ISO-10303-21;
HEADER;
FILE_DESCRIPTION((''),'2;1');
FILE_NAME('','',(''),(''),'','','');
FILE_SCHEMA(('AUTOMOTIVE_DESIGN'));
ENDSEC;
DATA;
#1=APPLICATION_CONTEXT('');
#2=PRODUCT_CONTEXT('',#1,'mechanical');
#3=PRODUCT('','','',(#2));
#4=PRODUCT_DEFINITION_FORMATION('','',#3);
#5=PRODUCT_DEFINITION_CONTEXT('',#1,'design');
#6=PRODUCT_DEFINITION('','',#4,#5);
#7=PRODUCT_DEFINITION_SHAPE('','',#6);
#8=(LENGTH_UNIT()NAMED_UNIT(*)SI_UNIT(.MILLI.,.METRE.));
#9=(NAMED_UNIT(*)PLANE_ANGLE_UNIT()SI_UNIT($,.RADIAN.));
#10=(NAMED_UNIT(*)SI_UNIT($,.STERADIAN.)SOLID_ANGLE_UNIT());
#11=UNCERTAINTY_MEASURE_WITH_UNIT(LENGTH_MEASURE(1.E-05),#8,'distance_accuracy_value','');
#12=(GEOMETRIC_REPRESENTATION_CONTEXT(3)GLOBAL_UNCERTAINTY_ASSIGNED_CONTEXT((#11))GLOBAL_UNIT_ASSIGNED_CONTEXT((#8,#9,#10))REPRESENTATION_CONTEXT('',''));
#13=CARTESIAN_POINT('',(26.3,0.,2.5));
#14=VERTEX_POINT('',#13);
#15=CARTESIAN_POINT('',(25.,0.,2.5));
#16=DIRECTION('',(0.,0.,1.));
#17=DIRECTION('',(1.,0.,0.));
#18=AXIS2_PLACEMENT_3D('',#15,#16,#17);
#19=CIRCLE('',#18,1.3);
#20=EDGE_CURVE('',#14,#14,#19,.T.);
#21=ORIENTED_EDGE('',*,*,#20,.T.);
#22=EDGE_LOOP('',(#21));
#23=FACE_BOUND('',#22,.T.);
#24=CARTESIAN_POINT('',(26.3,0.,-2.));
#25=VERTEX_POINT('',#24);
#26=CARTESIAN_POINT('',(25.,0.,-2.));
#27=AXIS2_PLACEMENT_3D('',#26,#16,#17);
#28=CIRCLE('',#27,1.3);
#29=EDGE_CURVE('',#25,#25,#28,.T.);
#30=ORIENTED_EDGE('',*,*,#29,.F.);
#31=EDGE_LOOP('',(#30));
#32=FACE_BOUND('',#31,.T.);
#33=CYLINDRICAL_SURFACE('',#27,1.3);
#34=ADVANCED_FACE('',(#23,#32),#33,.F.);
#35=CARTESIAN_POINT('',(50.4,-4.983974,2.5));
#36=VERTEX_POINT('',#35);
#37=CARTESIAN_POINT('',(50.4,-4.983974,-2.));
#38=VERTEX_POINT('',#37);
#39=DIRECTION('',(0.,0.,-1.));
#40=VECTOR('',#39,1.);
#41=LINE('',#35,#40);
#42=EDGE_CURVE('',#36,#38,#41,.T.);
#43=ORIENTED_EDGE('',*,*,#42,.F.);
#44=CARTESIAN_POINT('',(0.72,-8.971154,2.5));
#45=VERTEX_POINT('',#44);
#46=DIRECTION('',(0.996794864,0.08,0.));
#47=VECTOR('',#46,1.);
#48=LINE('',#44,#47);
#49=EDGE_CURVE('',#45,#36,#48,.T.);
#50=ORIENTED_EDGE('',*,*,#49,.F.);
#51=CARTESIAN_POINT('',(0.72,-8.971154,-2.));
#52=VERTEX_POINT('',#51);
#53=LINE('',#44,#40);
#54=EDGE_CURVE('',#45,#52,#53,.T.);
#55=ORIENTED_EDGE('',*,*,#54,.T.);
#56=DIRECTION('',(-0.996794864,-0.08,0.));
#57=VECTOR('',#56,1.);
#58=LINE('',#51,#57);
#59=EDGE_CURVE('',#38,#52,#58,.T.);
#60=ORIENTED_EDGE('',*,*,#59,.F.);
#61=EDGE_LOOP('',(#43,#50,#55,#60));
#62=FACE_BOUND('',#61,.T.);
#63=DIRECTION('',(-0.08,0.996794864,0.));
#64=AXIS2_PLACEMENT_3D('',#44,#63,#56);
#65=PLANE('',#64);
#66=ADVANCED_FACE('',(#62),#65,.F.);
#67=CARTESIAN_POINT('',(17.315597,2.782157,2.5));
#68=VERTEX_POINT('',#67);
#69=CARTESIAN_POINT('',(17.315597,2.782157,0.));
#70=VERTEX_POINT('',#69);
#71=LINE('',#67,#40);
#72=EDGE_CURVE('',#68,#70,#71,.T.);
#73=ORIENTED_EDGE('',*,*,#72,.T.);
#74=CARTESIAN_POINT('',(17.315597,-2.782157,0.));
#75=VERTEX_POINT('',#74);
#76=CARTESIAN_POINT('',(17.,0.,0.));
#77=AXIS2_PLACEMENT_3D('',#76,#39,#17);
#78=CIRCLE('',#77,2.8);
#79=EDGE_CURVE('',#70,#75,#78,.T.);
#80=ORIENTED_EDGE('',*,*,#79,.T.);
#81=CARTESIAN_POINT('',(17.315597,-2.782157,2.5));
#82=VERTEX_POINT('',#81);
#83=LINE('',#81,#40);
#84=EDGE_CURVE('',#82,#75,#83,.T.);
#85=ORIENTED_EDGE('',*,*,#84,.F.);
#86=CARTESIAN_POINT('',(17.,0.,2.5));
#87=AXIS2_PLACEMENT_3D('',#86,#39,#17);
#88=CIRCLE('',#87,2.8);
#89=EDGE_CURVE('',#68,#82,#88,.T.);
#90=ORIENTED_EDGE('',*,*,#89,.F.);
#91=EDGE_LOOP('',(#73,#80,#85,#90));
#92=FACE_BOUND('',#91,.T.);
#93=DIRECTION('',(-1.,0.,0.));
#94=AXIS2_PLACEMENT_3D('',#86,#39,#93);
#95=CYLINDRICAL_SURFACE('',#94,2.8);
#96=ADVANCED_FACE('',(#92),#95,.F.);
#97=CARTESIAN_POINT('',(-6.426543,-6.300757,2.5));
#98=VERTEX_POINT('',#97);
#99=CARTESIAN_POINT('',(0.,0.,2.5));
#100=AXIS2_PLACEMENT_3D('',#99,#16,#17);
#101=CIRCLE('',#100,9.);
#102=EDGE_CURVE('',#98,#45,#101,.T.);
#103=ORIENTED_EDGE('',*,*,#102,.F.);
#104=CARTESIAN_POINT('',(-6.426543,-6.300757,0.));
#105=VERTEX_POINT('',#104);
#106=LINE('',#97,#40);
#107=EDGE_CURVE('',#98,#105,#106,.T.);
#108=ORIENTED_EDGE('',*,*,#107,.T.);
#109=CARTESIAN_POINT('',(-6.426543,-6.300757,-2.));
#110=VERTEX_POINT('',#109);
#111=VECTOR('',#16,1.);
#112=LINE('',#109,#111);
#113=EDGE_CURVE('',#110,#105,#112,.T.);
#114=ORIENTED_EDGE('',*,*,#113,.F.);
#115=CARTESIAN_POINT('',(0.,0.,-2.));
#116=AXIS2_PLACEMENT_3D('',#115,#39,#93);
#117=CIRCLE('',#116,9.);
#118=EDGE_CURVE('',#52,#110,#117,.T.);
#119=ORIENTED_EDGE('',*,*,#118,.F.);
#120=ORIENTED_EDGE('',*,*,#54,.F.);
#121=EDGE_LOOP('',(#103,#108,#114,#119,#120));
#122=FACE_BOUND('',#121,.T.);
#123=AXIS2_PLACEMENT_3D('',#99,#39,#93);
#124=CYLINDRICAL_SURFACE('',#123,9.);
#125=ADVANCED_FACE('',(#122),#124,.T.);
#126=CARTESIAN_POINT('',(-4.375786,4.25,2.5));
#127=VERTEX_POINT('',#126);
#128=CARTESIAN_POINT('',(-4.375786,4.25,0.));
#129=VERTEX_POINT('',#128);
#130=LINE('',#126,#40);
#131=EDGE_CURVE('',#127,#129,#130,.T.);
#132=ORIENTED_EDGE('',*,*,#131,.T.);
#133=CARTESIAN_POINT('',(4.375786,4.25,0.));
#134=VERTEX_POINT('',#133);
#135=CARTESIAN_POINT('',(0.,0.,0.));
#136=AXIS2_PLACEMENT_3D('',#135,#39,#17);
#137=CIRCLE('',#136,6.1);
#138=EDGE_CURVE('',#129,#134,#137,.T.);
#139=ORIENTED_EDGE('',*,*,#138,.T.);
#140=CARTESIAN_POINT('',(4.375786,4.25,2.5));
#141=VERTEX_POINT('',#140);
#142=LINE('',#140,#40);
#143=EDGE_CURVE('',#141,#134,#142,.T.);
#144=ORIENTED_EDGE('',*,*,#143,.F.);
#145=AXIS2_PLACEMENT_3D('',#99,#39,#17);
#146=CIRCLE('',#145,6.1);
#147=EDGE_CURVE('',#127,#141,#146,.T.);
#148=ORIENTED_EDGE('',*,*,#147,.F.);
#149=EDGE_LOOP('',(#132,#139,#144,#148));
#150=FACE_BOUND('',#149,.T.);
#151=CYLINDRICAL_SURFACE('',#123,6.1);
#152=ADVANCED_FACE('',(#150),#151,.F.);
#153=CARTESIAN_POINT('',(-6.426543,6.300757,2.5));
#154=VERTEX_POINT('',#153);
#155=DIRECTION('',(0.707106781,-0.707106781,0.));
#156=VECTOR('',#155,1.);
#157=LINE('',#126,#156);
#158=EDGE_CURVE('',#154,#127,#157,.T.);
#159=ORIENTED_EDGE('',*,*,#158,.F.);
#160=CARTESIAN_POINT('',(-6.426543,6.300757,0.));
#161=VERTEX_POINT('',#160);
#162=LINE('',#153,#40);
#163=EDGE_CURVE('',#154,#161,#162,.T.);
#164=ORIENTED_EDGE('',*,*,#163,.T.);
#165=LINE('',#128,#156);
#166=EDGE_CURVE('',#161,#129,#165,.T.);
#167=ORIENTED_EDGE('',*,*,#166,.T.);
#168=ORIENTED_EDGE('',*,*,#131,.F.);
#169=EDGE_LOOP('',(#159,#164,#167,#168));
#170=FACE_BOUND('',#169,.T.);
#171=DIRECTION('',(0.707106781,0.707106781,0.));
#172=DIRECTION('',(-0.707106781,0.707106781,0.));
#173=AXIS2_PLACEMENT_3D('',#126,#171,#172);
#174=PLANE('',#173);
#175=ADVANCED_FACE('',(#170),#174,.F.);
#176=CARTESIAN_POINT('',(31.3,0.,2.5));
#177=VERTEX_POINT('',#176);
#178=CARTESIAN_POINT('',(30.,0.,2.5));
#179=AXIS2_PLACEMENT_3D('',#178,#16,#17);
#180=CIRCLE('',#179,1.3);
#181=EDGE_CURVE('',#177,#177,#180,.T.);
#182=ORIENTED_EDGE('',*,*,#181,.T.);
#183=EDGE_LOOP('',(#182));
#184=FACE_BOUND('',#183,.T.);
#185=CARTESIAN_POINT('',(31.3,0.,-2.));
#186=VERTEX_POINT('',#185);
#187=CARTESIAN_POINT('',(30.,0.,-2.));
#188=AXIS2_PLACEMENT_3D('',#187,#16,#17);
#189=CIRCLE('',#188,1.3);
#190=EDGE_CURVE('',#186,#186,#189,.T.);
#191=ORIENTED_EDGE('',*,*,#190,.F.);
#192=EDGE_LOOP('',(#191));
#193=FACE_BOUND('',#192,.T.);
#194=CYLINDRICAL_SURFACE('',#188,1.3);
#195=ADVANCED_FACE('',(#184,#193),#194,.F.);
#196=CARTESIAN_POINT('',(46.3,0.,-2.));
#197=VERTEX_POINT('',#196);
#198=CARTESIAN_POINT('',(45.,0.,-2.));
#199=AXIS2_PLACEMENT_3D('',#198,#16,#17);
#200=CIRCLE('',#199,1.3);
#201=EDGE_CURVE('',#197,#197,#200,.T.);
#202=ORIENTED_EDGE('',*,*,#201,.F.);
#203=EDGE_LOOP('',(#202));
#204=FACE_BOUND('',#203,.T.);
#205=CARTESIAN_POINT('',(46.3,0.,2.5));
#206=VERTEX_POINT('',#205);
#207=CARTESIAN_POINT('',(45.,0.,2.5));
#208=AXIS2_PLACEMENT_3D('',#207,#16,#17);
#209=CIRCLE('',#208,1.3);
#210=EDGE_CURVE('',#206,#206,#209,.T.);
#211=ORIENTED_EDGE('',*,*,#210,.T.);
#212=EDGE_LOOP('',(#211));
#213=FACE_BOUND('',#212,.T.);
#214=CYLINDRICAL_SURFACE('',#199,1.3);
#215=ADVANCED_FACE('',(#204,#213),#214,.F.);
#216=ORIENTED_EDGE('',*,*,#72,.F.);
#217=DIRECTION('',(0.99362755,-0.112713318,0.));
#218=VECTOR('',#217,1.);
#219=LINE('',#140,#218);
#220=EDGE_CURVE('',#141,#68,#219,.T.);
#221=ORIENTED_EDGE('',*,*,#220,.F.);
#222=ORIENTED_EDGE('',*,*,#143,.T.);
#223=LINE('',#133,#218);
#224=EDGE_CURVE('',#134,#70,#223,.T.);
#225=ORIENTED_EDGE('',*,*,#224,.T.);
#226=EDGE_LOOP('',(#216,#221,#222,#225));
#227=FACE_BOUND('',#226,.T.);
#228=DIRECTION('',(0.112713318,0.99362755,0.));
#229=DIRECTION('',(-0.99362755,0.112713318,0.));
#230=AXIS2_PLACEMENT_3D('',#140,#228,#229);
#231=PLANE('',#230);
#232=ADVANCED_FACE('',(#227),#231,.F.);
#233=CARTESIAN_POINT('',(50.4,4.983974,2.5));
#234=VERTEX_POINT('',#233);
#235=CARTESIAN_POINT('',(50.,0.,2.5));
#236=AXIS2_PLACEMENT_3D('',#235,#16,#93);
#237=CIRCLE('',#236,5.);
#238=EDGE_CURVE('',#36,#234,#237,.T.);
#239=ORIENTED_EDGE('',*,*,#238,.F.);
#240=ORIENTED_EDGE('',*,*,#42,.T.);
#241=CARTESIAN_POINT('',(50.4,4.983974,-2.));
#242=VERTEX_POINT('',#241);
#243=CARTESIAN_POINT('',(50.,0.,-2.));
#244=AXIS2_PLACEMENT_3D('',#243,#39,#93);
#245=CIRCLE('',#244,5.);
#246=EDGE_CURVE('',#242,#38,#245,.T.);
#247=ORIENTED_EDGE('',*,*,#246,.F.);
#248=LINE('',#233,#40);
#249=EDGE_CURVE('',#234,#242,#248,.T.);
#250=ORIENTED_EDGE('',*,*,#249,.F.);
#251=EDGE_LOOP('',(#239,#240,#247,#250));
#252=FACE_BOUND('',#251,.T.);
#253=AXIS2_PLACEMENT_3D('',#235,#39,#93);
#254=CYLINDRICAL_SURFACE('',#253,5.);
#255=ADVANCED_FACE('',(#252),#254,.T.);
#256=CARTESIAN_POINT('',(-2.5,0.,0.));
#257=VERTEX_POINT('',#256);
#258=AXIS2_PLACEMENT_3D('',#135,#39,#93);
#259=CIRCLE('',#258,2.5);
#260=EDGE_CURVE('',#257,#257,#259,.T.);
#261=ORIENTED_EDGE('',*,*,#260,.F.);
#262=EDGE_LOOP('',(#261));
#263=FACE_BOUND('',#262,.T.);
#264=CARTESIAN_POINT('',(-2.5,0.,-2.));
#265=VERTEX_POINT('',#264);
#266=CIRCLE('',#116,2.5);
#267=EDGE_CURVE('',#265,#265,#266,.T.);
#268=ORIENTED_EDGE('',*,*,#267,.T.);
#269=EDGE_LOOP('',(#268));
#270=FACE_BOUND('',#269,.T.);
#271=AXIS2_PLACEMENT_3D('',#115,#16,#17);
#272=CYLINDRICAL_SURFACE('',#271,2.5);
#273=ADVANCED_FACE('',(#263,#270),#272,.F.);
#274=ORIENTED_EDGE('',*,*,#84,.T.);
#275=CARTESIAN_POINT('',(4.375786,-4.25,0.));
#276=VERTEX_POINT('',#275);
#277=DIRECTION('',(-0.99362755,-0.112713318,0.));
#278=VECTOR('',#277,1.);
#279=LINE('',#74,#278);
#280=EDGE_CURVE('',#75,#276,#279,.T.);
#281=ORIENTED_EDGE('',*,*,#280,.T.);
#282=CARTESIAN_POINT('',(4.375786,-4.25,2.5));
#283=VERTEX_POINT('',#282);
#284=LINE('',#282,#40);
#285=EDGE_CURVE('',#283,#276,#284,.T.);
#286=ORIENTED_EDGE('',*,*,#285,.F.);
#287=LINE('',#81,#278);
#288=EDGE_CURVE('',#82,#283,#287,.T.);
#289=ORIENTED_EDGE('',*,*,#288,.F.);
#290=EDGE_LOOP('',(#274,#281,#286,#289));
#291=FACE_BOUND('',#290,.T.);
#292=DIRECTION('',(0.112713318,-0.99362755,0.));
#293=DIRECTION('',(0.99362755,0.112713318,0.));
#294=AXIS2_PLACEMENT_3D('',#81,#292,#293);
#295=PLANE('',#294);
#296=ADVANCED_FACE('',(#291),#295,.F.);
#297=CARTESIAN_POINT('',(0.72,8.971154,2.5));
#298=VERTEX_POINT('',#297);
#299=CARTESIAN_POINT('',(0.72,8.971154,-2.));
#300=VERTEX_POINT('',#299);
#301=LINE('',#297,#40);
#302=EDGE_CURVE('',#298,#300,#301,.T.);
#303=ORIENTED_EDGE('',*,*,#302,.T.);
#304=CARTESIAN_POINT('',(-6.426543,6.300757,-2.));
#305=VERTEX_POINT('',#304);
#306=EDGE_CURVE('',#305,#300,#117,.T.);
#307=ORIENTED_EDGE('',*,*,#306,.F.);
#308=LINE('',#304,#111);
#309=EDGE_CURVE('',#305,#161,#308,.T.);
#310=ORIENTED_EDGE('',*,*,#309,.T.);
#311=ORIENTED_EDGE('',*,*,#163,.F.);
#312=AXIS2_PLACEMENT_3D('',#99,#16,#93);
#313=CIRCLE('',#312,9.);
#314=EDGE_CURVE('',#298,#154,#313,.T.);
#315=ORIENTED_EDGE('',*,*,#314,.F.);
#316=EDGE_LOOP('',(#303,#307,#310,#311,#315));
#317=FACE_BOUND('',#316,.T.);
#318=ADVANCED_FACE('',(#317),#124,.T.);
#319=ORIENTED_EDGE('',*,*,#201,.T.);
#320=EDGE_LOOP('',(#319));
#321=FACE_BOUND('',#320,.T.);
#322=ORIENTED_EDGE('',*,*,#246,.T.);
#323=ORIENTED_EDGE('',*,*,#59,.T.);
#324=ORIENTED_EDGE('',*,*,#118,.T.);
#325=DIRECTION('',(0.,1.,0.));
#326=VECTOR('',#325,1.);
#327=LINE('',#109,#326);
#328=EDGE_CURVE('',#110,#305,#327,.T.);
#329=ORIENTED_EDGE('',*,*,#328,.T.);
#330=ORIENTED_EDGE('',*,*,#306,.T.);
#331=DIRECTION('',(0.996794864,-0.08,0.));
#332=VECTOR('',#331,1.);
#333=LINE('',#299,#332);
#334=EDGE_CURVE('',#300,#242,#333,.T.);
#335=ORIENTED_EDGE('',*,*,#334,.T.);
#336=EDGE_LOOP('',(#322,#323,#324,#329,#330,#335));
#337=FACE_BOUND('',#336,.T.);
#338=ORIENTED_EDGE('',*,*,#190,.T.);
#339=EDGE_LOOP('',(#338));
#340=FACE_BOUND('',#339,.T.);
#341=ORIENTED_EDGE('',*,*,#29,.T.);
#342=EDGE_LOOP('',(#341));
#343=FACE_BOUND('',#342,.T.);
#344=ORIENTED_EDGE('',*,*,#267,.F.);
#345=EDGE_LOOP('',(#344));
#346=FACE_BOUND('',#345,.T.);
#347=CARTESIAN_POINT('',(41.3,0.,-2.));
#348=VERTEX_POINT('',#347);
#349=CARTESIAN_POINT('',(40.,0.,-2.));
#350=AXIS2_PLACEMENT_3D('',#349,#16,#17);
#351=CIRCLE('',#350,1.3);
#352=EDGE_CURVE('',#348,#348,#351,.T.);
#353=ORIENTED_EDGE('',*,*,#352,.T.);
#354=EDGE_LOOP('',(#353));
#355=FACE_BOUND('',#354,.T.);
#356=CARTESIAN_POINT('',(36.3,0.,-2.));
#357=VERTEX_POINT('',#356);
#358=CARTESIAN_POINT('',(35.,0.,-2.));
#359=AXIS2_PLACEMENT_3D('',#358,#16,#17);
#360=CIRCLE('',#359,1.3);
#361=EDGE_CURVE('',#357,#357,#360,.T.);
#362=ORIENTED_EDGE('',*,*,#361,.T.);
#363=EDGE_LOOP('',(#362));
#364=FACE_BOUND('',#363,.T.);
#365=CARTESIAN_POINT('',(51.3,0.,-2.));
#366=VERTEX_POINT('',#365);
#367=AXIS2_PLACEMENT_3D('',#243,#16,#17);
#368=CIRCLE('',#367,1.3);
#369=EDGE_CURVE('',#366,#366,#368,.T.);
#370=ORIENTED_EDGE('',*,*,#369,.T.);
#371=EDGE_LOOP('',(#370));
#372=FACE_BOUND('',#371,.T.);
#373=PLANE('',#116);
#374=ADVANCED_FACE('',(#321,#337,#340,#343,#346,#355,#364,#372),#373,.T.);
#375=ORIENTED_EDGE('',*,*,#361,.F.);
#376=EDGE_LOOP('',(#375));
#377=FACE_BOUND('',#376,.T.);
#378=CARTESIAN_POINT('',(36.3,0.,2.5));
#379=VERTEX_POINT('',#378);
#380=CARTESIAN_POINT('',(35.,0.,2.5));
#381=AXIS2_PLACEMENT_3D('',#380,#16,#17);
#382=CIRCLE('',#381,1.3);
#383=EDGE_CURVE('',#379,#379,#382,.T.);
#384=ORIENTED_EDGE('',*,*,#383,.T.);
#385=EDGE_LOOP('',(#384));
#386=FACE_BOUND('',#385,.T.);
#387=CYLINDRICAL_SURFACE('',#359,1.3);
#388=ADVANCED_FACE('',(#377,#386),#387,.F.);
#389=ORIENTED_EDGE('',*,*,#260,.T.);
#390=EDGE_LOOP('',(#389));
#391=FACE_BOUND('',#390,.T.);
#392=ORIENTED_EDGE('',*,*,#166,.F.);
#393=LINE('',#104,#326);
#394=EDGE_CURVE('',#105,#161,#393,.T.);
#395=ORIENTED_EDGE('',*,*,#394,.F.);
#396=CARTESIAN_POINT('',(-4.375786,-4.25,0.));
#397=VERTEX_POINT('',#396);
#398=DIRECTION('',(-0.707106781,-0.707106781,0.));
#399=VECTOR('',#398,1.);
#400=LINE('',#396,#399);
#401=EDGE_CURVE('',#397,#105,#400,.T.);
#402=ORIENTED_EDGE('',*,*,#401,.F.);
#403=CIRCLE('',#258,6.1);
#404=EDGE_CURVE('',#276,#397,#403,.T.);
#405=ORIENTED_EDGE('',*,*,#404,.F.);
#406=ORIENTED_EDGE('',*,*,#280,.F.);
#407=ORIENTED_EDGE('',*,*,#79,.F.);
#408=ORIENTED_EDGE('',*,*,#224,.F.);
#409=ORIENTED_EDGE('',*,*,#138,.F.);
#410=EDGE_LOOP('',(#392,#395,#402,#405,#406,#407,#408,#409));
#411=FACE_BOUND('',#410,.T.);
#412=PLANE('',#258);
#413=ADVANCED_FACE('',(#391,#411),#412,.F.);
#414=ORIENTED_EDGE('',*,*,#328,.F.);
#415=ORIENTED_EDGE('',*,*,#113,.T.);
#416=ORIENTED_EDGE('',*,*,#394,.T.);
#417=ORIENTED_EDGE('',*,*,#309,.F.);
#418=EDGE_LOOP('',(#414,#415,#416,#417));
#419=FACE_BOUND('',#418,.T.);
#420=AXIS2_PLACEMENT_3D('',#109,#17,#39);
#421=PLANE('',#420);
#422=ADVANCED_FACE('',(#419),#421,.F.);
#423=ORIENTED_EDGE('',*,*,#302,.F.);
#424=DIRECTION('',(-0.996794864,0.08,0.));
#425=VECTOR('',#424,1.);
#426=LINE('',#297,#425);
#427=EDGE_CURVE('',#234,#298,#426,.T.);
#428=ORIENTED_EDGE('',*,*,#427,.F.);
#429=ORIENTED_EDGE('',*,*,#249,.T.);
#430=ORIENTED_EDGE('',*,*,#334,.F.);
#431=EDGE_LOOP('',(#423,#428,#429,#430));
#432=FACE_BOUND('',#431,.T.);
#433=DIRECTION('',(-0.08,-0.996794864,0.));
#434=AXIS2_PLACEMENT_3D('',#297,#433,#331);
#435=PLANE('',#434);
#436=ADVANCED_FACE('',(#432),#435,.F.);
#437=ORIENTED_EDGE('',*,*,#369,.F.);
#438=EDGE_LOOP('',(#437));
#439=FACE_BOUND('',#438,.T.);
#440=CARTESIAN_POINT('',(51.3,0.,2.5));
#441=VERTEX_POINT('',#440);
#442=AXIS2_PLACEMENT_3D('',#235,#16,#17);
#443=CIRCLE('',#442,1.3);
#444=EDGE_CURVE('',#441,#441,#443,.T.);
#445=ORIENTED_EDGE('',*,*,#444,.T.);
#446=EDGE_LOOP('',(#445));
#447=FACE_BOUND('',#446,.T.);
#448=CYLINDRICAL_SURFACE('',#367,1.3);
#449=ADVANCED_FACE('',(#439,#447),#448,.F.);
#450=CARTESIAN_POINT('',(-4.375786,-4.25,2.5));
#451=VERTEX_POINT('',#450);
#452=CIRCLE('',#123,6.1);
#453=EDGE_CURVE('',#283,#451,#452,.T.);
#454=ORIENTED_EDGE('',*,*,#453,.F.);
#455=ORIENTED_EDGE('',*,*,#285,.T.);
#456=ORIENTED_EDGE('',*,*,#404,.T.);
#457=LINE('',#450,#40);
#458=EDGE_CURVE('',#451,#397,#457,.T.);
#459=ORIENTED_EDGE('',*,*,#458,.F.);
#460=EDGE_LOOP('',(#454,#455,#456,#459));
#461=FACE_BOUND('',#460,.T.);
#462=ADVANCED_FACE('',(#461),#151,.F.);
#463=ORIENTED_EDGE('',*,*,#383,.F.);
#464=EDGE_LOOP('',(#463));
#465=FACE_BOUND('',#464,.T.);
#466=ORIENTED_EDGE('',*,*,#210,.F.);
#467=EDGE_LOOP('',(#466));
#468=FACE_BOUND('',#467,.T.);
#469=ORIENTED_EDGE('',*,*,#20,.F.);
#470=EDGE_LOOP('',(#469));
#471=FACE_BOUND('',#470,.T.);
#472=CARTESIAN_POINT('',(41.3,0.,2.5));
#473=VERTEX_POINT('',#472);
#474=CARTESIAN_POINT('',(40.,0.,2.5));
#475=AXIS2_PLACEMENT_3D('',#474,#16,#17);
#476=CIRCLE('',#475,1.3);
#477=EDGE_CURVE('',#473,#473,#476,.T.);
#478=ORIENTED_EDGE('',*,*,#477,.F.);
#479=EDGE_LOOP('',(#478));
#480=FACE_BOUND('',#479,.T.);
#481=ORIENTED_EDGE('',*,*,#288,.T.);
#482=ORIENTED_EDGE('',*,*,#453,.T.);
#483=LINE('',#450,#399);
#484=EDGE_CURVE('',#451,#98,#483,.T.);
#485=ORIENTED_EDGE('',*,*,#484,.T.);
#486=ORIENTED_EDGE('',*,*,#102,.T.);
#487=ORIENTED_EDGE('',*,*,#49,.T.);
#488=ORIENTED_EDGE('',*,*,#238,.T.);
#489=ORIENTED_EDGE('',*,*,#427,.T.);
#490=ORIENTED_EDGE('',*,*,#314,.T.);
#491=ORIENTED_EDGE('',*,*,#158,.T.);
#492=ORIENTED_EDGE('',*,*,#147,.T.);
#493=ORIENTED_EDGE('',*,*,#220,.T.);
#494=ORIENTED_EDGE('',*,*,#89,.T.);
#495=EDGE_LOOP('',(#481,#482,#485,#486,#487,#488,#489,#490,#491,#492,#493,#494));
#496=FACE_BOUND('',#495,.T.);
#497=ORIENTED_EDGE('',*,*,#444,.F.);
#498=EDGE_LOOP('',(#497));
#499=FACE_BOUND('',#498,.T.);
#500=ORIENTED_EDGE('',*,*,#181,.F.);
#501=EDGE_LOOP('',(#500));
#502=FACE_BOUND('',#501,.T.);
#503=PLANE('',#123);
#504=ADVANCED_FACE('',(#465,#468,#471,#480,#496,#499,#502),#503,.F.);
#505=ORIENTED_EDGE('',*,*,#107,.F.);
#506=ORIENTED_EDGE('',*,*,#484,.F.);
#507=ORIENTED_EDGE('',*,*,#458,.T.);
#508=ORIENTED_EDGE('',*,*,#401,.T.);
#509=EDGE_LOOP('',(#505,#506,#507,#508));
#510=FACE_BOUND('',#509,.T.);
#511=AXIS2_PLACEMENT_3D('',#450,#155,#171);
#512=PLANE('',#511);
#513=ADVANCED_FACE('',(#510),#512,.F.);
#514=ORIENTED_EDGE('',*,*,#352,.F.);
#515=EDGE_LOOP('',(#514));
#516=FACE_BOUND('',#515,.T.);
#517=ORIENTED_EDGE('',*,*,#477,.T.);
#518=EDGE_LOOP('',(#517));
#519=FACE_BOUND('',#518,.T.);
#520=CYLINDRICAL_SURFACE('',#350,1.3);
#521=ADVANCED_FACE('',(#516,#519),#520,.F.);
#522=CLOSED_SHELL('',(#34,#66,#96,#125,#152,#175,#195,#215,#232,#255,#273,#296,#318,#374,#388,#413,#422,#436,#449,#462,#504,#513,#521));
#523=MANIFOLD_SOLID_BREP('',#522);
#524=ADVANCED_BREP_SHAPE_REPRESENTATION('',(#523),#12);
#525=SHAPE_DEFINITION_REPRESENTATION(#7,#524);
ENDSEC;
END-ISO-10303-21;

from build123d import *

# Parameters (mm, degrees)
MAIN_DEPTH            = 2.5
ESQUISSE2_R           = 2.5
ORIGINALBRACKET_DEPTH = 2
ESQUISSE3_R           = 1.3
FIXINGHOLE_DEPTH      = 5.5
LPATTERN1_COUNT       = 6
LPATTERN1_PITCH       = 5


with BuildPart() as part:
    # Esquisse1 → Main (new body)
    with BuildSketch(Plane.XY):
        with BuildLine():
            Line((-4.375785644, 4.25), (-6.426543071, 6.300757427))
            ThreePointArc((-6.426543071, 6.300757427), (-3.150224217, 8.43066352), (0.72, 8.971153772))
            Line((0.72, 8.971153772), (50.4, 4.983974318))
            ThreePointArc((50.4, 4.983974318), (55, 0), (50.4, -4.983974318))
            Line((50.4, -4.983974318), (0.72, -8.971153772))
            ThreePointArc((0.72, -8.971153772), (-3.150224217, -8.43066352), (-6.426543071, -6.300757427))
            Line((-6.426543071, -6.300757427), (-4.375785644, -4.25))
            ThreePointArc((-4.375785644, -4.25), (0, -6.1), (4.375785644, -4.25))
            Line((4.375785644, -4.25), (17.31559729, -2.78215714))
            ThreePointArc((17.31559729, -2.78215714), (19.8, 0), (17.31559729, 2.78215714))
            Line((17.31559729, 2.78215714), (4.375785644, 4.25))
            ThreePointArc((4.375785644, 4.25), (0, 6.1), (-4.375785644, 4.25))
        make_face()
    extrude(amount=MAIN_DEPTH)

    # Esquisse2 → OriginalBracket (add)
    with BuildSketch(Plane(origin=(0, 0, 0), x_dir=(-1, 0, 0), z_dir=(0, 0, -1))):
        with BuildLine():
            Line((-0.72, -8.971153772), (-50.4, -4.983974318))
            ThreePointArc((-50.4, -4.983974318), (-55, 0), (-50.4, 4.983974318))
            Line((-50.4, 4.983974318), (-0.72, 8.971153772))
            ThreePointArc((-0.72, 8.971153772), (3.150224217, 8.43066352), (6.426543071, 6.300757427))
            Line((6.426543071, 6.300757427), (6.426543071, -6.300757427))
            ThreePointArc((6.426543071, -6.300757427), (3.150224217, -8.43066352), (-0.72, -8.971153772))
        make_face()
        Circle(ESQUISSE2_R, mode=Mode.SUBTRACT)
    extrude(amount=ORIGINALBRACKET_DEPTH)

    # Esquisse3 → FixingHole (cut, through all)
    with BuildSketch(Plane.XY.offset(2.5)):
        with Locations((50, 0)):
            Circle(ESQUISSE3_R)
    fixinghole = extrude(amount=-FIXINGHOLE_DEPTH, mode=Mode.SUBTRACT)

    # LPattern1: FixingHole ×6
    with Locations(*[(-i * LPATTERN1_PITCH, 0, 0) for i in range(1, LPATTERN1_COUNT)]):
        add(fixinghole, mode=Mode.SUBTRACT)


solid = part.part
